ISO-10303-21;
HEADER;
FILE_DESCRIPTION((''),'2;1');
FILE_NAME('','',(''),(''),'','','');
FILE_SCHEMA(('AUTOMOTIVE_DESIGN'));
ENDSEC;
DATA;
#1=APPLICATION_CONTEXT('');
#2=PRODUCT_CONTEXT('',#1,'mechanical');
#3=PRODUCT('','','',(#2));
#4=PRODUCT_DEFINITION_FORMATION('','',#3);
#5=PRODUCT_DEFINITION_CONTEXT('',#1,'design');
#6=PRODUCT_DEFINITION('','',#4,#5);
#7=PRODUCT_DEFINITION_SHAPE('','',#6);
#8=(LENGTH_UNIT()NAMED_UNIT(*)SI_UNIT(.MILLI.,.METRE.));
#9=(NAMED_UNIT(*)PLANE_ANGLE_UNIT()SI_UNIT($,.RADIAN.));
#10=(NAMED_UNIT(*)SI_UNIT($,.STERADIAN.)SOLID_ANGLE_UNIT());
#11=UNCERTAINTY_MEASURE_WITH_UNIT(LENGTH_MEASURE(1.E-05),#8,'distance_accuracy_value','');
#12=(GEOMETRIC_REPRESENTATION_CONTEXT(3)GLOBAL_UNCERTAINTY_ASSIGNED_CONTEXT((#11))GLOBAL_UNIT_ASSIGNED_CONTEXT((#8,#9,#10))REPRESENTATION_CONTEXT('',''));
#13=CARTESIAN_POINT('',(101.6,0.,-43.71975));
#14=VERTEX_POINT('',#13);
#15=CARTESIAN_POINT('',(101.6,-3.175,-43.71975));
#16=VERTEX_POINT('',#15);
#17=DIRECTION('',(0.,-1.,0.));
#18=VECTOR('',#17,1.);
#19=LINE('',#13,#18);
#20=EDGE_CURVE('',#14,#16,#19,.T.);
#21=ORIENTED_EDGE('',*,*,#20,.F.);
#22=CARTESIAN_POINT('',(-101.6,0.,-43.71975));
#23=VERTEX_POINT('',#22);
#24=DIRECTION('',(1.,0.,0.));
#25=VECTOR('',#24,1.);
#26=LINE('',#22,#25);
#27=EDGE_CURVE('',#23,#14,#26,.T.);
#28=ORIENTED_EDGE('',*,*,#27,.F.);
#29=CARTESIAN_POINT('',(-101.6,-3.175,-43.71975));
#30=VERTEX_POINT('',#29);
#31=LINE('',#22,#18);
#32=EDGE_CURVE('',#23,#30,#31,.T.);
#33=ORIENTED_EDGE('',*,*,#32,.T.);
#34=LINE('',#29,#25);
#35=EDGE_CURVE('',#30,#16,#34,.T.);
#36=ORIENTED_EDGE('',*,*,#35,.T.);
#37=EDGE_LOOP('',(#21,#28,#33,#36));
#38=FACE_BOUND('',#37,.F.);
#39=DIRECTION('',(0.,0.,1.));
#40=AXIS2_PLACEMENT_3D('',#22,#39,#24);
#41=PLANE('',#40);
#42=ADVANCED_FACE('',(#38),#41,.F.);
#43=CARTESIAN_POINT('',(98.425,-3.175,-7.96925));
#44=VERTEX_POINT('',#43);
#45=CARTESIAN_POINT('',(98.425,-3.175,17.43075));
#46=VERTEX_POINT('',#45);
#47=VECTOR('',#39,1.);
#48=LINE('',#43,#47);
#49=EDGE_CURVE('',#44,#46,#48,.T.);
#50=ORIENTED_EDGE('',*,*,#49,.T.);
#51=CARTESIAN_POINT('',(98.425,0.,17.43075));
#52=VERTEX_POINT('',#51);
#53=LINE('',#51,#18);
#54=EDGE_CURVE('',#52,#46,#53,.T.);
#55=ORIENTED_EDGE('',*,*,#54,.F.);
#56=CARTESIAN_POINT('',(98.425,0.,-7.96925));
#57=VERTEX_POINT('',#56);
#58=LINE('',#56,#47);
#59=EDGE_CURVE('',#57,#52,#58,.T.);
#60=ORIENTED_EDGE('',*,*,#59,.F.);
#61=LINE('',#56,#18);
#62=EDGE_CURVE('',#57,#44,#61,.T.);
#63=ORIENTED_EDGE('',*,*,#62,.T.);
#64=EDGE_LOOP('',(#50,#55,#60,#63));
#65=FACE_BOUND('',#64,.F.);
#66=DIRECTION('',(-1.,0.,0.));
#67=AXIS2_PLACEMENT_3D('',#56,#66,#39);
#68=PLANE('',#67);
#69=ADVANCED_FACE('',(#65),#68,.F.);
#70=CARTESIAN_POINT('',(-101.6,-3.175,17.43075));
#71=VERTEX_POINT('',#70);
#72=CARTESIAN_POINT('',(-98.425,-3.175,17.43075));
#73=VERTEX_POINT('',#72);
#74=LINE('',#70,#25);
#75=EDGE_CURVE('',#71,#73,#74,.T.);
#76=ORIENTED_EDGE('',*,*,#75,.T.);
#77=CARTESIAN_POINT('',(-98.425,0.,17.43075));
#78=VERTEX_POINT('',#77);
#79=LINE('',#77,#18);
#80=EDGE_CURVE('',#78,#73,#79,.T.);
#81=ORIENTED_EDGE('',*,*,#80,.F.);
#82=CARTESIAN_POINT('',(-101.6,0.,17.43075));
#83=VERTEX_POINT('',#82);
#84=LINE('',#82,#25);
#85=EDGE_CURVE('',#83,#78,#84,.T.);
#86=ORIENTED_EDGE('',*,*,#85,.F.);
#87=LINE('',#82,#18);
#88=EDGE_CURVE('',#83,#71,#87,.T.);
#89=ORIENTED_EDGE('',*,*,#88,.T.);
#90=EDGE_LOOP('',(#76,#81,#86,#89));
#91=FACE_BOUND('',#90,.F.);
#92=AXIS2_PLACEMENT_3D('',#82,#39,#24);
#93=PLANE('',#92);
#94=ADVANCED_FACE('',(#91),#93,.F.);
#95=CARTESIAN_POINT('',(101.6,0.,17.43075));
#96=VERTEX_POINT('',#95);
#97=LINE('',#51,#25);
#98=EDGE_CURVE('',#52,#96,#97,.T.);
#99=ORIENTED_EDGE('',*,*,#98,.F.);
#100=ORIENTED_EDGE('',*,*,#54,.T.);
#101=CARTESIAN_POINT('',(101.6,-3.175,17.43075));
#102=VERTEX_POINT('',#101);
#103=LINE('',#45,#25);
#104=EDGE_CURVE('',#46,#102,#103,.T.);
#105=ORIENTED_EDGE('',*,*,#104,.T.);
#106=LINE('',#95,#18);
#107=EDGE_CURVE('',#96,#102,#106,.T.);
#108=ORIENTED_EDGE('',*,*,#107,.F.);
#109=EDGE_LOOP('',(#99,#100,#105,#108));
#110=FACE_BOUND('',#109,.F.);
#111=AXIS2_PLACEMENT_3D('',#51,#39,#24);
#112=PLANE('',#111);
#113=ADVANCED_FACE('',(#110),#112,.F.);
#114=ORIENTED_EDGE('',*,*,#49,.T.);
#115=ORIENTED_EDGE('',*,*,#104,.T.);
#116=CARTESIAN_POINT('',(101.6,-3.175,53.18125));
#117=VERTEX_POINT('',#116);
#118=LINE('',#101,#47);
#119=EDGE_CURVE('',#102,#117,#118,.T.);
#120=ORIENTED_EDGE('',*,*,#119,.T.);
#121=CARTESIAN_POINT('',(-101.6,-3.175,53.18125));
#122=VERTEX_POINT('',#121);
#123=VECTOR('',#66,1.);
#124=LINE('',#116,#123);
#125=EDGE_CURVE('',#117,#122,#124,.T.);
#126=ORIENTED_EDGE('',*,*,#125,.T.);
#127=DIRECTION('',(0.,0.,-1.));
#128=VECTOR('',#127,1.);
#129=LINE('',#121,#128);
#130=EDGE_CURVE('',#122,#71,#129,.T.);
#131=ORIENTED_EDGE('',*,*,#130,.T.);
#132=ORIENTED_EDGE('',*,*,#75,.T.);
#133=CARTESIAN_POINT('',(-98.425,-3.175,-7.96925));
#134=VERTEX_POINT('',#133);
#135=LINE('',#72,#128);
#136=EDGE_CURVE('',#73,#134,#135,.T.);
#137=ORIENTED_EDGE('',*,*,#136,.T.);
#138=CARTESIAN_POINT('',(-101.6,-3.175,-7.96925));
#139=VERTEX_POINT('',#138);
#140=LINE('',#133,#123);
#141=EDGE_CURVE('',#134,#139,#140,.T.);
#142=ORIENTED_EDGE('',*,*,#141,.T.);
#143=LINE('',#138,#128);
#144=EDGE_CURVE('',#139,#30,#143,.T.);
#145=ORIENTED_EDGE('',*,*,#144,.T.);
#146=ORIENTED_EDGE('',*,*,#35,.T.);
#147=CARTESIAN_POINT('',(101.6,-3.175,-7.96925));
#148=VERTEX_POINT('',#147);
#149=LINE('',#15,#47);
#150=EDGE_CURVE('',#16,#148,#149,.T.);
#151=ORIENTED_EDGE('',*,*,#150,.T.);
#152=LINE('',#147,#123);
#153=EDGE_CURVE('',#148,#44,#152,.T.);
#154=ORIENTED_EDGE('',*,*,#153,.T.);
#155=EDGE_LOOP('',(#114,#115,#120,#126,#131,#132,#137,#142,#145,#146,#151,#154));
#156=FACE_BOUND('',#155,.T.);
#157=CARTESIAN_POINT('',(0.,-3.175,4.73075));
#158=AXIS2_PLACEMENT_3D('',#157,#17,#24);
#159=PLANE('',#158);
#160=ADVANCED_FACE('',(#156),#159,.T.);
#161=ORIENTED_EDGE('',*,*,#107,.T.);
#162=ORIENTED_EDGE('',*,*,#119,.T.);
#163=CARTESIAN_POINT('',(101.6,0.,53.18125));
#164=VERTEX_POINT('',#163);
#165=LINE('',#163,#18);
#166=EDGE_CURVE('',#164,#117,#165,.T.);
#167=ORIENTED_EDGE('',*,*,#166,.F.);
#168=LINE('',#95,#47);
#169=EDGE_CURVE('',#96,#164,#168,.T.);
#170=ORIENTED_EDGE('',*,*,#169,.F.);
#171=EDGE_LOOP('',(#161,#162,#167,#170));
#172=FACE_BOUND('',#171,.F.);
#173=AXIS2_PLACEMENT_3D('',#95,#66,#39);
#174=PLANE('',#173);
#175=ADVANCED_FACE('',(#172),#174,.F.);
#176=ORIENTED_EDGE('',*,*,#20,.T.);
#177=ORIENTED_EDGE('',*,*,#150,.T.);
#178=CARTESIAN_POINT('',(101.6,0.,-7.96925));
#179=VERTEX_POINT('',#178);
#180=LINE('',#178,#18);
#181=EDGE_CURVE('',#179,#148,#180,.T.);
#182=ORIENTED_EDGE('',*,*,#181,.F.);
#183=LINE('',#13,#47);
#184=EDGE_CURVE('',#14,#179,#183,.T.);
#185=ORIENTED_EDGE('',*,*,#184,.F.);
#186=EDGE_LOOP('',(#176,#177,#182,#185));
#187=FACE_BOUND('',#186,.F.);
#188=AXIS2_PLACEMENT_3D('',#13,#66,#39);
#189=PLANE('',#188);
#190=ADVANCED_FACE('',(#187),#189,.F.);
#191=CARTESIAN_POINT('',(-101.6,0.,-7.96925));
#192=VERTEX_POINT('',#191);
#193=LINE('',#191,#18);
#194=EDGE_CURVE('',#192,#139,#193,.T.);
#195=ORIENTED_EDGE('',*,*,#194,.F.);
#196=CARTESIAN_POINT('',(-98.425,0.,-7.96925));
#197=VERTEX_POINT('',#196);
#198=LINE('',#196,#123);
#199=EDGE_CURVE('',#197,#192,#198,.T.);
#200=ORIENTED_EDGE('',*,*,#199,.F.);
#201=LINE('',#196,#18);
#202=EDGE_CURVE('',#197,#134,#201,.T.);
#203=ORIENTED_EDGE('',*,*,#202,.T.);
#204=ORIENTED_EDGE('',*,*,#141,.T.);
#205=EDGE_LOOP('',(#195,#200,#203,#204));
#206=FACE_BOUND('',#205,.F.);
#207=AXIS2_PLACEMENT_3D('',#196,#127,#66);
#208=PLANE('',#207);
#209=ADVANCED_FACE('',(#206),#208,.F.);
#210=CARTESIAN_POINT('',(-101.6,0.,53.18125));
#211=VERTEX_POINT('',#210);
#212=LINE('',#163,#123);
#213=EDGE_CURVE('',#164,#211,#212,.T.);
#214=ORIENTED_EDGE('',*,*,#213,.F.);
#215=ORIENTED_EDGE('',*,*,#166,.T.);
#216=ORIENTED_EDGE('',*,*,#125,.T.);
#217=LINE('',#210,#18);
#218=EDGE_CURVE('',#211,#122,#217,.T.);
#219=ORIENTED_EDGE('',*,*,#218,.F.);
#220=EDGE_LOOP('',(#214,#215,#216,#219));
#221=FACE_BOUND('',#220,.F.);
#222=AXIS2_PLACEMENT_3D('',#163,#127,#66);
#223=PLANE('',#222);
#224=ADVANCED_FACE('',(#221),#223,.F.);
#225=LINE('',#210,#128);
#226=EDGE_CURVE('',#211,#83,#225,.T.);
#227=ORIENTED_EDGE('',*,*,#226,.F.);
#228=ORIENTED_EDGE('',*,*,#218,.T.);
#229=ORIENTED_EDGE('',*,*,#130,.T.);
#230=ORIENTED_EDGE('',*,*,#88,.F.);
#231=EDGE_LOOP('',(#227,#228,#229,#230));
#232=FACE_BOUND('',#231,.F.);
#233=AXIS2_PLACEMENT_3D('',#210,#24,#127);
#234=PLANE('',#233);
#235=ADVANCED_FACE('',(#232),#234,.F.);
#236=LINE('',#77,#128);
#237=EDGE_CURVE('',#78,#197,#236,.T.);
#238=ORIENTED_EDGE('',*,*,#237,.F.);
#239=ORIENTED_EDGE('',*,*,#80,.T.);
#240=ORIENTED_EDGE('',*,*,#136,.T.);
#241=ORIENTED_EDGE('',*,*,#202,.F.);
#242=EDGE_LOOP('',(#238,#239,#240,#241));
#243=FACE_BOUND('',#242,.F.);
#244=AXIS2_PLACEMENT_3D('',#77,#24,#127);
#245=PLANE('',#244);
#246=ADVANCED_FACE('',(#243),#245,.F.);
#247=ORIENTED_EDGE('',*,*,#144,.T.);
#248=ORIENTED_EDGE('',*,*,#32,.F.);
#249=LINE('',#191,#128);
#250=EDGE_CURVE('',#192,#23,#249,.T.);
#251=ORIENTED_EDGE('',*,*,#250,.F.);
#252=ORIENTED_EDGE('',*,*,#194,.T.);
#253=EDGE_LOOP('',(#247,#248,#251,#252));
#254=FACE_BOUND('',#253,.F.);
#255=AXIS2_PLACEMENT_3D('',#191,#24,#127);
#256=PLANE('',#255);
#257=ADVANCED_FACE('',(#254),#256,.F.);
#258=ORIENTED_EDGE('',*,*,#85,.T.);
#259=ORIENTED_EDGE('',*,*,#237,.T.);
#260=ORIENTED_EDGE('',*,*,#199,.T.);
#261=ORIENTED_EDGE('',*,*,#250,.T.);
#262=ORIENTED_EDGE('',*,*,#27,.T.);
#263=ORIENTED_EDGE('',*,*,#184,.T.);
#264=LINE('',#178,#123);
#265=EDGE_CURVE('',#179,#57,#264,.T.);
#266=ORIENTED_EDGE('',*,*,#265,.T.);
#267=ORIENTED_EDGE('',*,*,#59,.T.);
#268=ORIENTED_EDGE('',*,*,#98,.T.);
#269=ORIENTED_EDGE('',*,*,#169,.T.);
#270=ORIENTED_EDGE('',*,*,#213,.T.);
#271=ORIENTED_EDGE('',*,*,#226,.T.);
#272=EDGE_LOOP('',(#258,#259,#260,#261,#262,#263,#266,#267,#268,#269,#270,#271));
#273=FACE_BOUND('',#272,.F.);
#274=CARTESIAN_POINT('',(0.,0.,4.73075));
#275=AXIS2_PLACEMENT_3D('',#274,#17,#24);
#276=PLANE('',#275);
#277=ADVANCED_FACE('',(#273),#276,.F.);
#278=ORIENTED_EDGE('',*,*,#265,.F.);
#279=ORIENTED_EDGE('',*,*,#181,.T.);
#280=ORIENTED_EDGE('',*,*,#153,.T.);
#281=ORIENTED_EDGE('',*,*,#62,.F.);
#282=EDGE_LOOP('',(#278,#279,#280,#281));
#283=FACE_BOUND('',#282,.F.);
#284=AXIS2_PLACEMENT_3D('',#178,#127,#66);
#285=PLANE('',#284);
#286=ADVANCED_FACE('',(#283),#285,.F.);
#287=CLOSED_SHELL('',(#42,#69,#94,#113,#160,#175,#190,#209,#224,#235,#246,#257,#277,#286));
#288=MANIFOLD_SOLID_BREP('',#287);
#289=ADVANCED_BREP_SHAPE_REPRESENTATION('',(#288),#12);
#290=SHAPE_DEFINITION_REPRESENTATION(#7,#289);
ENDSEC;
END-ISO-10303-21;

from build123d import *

# Parameters (mm, degrees)
F1_DEPTH = 3.175


with BuildPart() as f1:
    # F0 (on Front) → F1 (new body)
    with BuildSketch(Plane.XZ):
        Polygon((-101.6, 53.18125), (-101.6, 17.441406), (-101.6, 17.43075), (-98.425, 17.43075), (-98.425, 4.73075), (-98.425, -7.96925), (-101.6, -7.96925), (-101.6, -16.481872), (-101.6, -16.608872), (-101.6, -43.71975), (0, -43.71975), (101.6, -43.71975), (101.6, -17.600083), (101.6, -7.96925), (98.425, -7.96925), (98.425, 4.73075), (98.425, 17.43075), (101.6, 17.43075), (101.6, 17.441406), (101.6, 53.18125), (0, 53.18125), align=None)
    extrude(amount=F1_DEPTH)


solid = f1.part
